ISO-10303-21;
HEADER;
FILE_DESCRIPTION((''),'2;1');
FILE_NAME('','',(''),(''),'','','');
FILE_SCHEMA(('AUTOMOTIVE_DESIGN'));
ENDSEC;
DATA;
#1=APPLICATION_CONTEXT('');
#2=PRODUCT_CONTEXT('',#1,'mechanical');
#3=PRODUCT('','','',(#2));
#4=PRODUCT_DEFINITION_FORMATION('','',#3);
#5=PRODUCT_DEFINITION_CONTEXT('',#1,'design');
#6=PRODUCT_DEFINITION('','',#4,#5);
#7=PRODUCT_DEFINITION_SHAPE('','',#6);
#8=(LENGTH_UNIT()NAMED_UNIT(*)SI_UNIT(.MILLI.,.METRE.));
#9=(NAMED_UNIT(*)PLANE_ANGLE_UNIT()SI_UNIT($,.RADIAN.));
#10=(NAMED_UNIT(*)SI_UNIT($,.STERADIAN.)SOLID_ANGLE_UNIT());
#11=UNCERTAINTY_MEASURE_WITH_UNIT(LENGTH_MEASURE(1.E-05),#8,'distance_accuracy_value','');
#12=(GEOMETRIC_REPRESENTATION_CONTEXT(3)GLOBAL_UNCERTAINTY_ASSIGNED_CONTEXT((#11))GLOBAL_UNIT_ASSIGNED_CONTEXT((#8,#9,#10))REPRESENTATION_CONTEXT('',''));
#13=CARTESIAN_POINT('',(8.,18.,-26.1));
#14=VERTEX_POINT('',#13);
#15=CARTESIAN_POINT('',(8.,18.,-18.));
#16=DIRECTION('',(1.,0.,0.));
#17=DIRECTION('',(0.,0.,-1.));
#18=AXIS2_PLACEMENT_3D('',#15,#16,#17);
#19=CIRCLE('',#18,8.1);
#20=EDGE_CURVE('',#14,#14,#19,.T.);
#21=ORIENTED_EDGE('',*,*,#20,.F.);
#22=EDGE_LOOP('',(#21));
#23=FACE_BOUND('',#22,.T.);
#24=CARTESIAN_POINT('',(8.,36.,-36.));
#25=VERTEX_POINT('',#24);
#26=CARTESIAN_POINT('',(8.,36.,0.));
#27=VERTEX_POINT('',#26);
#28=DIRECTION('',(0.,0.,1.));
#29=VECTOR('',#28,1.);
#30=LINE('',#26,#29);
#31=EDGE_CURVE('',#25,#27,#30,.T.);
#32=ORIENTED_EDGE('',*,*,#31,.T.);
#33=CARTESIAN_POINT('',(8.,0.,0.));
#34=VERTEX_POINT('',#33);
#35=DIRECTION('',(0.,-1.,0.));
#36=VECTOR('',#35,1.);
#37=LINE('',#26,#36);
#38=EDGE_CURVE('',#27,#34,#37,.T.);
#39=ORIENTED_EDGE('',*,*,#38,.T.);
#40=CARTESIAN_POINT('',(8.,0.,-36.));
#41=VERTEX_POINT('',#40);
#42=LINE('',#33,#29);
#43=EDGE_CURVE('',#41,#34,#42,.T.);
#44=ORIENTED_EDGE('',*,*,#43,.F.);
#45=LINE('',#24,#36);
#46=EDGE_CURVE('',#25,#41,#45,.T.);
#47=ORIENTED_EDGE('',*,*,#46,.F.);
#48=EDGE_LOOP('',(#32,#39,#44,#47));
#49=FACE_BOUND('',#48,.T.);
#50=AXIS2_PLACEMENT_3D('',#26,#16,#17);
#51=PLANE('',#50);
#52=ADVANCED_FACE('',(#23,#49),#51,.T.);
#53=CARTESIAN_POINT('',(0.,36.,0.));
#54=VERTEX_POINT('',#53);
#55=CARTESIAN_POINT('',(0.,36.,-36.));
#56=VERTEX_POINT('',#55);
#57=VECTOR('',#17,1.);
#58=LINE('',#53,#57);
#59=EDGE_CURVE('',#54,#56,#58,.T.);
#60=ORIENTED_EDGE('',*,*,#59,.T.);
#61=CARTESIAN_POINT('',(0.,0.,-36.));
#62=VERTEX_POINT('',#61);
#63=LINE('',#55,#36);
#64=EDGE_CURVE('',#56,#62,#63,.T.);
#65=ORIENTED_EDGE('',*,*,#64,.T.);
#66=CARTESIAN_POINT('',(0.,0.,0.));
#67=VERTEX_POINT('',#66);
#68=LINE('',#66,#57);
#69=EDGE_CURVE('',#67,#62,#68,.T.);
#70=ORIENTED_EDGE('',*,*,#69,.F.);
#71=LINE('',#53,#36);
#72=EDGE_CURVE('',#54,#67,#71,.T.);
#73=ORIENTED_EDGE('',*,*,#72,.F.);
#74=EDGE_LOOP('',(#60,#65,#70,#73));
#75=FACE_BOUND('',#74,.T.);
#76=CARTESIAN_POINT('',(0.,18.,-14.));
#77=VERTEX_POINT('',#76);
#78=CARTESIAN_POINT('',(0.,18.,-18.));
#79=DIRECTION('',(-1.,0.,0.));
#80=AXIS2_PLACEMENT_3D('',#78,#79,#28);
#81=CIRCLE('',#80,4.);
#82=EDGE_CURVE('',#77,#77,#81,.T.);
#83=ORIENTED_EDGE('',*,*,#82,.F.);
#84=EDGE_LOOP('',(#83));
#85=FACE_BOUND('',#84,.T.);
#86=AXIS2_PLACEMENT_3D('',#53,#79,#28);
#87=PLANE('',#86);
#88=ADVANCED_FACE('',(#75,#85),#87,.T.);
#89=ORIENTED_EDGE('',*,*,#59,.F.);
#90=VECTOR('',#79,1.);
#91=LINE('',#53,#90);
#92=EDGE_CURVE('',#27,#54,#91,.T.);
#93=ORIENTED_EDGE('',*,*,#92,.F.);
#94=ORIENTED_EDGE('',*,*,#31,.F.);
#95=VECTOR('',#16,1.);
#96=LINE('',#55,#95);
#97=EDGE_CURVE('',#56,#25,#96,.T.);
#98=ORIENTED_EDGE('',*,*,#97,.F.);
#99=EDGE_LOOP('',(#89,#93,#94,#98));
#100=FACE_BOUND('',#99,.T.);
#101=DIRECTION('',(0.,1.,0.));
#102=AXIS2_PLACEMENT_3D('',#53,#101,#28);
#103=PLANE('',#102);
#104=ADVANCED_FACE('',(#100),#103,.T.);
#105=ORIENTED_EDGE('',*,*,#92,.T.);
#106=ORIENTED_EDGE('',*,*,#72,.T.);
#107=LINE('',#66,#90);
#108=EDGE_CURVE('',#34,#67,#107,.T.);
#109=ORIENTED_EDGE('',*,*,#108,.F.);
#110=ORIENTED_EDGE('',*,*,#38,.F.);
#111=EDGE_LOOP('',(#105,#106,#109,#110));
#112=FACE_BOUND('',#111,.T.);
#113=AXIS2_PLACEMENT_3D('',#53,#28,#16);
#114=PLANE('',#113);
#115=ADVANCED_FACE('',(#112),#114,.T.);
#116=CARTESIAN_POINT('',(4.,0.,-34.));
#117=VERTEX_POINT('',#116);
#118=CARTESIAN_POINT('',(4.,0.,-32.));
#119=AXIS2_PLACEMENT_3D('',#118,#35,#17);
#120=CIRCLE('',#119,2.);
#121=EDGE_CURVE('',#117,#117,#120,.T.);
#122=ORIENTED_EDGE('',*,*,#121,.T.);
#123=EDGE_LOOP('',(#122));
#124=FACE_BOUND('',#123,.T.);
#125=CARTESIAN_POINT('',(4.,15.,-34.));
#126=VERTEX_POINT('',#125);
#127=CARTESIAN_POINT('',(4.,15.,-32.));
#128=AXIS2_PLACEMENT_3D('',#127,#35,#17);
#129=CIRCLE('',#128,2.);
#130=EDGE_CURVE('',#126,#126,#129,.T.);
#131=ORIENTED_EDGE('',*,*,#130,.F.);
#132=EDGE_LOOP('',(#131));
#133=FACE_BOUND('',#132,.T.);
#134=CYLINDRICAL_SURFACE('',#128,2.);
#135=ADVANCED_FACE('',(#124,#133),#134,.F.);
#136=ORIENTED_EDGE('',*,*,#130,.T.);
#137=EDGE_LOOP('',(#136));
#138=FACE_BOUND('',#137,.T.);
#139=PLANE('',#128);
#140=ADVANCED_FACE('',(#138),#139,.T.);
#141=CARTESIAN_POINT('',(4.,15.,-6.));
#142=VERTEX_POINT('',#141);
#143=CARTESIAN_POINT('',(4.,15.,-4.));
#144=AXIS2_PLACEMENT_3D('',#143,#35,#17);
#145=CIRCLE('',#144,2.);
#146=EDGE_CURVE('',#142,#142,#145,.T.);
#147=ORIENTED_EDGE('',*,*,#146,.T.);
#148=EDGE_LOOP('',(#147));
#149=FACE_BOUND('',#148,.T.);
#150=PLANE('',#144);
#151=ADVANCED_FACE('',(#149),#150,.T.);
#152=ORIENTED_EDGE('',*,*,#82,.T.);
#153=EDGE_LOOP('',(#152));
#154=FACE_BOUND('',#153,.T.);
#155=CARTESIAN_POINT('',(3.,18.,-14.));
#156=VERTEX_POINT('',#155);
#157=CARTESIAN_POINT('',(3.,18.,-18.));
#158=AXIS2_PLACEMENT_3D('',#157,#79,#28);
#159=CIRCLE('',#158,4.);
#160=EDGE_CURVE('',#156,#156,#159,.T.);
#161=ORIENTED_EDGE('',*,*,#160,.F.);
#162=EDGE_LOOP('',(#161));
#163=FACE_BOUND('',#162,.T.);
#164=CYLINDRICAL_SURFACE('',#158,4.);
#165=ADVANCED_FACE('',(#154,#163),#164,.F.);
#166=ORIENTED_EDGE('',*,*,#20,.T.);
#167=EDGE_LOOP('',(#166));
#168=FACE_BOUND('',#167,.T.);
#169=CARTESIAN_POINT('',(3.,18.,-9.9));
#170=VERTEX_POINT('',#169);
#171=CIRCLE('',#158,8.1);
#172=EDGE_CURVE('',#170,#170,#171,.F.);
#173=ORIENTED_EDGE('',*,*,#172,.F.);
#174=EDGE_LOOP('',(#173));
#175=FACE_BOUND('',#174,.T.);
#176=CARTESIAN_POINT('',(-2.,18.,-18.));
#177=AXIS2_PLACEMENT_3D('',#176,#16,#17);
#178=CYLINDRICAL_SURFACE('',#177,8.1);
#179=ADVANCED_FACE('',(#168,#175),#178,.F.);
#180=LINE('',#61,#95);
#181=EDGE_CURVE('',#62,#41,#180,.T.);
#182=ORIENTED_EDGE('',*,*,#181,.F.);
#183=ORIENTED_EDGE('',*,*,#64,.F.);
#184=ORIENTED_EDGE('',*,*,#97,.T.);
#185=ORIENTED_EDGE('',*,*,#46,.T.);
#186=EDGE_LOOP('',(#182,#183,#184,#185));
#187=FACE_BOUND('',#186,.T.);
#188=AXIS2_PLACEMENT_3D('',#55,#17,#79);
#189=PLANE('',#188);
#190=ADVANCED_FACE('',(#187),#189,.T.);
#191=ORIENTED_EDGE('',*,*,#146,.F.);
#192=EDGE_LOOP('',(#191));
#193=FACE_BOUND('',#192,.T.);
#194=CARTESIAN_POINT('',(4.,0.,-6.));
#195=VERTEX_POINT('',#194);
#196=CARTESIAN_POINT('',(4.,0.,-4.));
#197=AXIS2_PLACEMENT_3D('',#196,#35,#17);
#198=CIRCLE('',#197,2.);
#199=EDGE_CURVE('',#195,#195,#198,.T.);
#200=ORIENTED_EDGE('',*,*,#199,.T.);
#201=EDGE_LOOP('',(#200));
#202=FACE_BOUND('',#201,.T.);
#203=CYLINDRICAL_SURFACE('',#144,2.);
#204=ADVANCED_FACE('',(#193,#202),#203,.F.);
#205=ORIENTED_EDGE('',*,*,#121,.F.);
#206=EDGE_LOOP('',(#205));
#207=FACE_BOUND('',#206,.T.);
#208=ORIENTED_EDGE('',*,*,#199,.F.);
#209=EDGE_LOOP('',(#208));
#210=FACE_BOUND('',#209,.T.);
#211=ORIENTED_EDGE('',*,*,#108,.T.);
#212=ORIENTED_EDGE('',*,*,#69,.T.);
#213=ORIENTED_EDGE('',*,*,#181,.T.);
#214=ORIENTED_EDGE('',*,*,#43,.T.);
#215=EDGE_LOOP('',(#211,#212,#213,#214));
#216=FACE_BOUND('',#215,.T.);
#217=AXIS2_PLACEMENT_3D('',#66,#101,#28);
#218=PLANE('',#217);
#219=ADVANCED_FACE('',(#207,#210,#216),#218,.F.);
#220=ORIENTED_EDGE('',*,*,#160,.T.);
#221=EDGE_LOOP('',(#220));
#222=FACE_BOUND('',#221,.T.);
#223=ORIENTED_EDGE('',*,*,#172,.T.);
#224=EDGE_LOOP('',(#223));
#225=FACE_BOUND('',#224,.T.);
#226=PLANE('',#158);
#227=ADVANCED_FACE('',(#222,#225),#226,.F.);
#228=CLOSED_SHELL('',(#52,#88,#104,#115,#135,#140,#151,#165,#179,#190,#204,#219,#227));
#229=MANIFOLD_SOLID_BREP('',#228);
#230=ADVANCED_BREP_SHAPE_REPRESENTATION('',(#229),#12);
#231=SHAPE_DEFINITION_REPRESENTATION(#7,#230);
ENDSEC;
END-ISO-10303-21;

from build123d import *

# Parameters (mm, degrees)
ESQUISSE1_W             = 8
ESQUISSE1_H             = 36
BOSS_EXTRU_3_DEPTH      = 36
ESQUISSE9_R             = 8.1
ENL_V_MAT_EXTRU_1_DEPTH = 10
BOSS_EXTRU_4_START      = -3
ESQUISSE10_R            = 8.1
ESQUISSE10_R_2          = 4
BOSS_EXTRU_4_DEPTH      = 3
ESQUISSE13_R            = 2
ENL_V_MAT_EXTRU_2_DEPTH = 15


with BuildPart() as part:
    # Esquisse1 → Boss.-Extru.3 (new body)
    with BuildSketch(Plane(origin=(0, 0, 0), x_dir=(1, 0, 0), z_dir=(0, 1, 0))):
        with Locations((4, 18)):
            Rectangle(ESQUISSE1_W, ESQUISSE1_H)
    extrude(amount=BOSS_EXTRU_3_DEPTH)

    # Esquisse9 → Enlèv. mat.-Extru.1 (cut)
    with BuildSketch(Plane(origin=(8, 0, 0), x_dir=(0, 0, -1), z_dir=(1, 0, 0))):
        with Locations((18, 18)):
            Circle(ESQUISSE9_R)
    extrude(amount=-ENL_V_MAT_EXTRU_1_DEPTH, mode=Mode.SUBTRACT)

    # Esquisse10 → Boss.-Extru.4 (add)
    with BuildSketch(Plane.ZY.offset(BOSS_EXTRU_4_START)):
        with Locations((-18, 18)):
            Circle(ESQUISSE10_R)
        with Locations((-18, 18)):
            Circle(ESQUISSE10_R_2, mode=Mode.SUBTRACT)
    extrude(amount=BOSS_EXTRU_4_DEPTH)

    # Esquisse13 → Enlèv. mat.-Extru.2 (cut)
    with BuildSketch(Plane.XZ):
        with Locations((4, -4)):
            Circle(ESQUISSE13_R)
        with Locations((4, -32)):
            Circle(ESQUISSE13_R)
    extrude(amount=-ENL_V_MAT_EXTRU_2_DEPTH, mode=Mode.SUBTRACT)


solid = part.part
